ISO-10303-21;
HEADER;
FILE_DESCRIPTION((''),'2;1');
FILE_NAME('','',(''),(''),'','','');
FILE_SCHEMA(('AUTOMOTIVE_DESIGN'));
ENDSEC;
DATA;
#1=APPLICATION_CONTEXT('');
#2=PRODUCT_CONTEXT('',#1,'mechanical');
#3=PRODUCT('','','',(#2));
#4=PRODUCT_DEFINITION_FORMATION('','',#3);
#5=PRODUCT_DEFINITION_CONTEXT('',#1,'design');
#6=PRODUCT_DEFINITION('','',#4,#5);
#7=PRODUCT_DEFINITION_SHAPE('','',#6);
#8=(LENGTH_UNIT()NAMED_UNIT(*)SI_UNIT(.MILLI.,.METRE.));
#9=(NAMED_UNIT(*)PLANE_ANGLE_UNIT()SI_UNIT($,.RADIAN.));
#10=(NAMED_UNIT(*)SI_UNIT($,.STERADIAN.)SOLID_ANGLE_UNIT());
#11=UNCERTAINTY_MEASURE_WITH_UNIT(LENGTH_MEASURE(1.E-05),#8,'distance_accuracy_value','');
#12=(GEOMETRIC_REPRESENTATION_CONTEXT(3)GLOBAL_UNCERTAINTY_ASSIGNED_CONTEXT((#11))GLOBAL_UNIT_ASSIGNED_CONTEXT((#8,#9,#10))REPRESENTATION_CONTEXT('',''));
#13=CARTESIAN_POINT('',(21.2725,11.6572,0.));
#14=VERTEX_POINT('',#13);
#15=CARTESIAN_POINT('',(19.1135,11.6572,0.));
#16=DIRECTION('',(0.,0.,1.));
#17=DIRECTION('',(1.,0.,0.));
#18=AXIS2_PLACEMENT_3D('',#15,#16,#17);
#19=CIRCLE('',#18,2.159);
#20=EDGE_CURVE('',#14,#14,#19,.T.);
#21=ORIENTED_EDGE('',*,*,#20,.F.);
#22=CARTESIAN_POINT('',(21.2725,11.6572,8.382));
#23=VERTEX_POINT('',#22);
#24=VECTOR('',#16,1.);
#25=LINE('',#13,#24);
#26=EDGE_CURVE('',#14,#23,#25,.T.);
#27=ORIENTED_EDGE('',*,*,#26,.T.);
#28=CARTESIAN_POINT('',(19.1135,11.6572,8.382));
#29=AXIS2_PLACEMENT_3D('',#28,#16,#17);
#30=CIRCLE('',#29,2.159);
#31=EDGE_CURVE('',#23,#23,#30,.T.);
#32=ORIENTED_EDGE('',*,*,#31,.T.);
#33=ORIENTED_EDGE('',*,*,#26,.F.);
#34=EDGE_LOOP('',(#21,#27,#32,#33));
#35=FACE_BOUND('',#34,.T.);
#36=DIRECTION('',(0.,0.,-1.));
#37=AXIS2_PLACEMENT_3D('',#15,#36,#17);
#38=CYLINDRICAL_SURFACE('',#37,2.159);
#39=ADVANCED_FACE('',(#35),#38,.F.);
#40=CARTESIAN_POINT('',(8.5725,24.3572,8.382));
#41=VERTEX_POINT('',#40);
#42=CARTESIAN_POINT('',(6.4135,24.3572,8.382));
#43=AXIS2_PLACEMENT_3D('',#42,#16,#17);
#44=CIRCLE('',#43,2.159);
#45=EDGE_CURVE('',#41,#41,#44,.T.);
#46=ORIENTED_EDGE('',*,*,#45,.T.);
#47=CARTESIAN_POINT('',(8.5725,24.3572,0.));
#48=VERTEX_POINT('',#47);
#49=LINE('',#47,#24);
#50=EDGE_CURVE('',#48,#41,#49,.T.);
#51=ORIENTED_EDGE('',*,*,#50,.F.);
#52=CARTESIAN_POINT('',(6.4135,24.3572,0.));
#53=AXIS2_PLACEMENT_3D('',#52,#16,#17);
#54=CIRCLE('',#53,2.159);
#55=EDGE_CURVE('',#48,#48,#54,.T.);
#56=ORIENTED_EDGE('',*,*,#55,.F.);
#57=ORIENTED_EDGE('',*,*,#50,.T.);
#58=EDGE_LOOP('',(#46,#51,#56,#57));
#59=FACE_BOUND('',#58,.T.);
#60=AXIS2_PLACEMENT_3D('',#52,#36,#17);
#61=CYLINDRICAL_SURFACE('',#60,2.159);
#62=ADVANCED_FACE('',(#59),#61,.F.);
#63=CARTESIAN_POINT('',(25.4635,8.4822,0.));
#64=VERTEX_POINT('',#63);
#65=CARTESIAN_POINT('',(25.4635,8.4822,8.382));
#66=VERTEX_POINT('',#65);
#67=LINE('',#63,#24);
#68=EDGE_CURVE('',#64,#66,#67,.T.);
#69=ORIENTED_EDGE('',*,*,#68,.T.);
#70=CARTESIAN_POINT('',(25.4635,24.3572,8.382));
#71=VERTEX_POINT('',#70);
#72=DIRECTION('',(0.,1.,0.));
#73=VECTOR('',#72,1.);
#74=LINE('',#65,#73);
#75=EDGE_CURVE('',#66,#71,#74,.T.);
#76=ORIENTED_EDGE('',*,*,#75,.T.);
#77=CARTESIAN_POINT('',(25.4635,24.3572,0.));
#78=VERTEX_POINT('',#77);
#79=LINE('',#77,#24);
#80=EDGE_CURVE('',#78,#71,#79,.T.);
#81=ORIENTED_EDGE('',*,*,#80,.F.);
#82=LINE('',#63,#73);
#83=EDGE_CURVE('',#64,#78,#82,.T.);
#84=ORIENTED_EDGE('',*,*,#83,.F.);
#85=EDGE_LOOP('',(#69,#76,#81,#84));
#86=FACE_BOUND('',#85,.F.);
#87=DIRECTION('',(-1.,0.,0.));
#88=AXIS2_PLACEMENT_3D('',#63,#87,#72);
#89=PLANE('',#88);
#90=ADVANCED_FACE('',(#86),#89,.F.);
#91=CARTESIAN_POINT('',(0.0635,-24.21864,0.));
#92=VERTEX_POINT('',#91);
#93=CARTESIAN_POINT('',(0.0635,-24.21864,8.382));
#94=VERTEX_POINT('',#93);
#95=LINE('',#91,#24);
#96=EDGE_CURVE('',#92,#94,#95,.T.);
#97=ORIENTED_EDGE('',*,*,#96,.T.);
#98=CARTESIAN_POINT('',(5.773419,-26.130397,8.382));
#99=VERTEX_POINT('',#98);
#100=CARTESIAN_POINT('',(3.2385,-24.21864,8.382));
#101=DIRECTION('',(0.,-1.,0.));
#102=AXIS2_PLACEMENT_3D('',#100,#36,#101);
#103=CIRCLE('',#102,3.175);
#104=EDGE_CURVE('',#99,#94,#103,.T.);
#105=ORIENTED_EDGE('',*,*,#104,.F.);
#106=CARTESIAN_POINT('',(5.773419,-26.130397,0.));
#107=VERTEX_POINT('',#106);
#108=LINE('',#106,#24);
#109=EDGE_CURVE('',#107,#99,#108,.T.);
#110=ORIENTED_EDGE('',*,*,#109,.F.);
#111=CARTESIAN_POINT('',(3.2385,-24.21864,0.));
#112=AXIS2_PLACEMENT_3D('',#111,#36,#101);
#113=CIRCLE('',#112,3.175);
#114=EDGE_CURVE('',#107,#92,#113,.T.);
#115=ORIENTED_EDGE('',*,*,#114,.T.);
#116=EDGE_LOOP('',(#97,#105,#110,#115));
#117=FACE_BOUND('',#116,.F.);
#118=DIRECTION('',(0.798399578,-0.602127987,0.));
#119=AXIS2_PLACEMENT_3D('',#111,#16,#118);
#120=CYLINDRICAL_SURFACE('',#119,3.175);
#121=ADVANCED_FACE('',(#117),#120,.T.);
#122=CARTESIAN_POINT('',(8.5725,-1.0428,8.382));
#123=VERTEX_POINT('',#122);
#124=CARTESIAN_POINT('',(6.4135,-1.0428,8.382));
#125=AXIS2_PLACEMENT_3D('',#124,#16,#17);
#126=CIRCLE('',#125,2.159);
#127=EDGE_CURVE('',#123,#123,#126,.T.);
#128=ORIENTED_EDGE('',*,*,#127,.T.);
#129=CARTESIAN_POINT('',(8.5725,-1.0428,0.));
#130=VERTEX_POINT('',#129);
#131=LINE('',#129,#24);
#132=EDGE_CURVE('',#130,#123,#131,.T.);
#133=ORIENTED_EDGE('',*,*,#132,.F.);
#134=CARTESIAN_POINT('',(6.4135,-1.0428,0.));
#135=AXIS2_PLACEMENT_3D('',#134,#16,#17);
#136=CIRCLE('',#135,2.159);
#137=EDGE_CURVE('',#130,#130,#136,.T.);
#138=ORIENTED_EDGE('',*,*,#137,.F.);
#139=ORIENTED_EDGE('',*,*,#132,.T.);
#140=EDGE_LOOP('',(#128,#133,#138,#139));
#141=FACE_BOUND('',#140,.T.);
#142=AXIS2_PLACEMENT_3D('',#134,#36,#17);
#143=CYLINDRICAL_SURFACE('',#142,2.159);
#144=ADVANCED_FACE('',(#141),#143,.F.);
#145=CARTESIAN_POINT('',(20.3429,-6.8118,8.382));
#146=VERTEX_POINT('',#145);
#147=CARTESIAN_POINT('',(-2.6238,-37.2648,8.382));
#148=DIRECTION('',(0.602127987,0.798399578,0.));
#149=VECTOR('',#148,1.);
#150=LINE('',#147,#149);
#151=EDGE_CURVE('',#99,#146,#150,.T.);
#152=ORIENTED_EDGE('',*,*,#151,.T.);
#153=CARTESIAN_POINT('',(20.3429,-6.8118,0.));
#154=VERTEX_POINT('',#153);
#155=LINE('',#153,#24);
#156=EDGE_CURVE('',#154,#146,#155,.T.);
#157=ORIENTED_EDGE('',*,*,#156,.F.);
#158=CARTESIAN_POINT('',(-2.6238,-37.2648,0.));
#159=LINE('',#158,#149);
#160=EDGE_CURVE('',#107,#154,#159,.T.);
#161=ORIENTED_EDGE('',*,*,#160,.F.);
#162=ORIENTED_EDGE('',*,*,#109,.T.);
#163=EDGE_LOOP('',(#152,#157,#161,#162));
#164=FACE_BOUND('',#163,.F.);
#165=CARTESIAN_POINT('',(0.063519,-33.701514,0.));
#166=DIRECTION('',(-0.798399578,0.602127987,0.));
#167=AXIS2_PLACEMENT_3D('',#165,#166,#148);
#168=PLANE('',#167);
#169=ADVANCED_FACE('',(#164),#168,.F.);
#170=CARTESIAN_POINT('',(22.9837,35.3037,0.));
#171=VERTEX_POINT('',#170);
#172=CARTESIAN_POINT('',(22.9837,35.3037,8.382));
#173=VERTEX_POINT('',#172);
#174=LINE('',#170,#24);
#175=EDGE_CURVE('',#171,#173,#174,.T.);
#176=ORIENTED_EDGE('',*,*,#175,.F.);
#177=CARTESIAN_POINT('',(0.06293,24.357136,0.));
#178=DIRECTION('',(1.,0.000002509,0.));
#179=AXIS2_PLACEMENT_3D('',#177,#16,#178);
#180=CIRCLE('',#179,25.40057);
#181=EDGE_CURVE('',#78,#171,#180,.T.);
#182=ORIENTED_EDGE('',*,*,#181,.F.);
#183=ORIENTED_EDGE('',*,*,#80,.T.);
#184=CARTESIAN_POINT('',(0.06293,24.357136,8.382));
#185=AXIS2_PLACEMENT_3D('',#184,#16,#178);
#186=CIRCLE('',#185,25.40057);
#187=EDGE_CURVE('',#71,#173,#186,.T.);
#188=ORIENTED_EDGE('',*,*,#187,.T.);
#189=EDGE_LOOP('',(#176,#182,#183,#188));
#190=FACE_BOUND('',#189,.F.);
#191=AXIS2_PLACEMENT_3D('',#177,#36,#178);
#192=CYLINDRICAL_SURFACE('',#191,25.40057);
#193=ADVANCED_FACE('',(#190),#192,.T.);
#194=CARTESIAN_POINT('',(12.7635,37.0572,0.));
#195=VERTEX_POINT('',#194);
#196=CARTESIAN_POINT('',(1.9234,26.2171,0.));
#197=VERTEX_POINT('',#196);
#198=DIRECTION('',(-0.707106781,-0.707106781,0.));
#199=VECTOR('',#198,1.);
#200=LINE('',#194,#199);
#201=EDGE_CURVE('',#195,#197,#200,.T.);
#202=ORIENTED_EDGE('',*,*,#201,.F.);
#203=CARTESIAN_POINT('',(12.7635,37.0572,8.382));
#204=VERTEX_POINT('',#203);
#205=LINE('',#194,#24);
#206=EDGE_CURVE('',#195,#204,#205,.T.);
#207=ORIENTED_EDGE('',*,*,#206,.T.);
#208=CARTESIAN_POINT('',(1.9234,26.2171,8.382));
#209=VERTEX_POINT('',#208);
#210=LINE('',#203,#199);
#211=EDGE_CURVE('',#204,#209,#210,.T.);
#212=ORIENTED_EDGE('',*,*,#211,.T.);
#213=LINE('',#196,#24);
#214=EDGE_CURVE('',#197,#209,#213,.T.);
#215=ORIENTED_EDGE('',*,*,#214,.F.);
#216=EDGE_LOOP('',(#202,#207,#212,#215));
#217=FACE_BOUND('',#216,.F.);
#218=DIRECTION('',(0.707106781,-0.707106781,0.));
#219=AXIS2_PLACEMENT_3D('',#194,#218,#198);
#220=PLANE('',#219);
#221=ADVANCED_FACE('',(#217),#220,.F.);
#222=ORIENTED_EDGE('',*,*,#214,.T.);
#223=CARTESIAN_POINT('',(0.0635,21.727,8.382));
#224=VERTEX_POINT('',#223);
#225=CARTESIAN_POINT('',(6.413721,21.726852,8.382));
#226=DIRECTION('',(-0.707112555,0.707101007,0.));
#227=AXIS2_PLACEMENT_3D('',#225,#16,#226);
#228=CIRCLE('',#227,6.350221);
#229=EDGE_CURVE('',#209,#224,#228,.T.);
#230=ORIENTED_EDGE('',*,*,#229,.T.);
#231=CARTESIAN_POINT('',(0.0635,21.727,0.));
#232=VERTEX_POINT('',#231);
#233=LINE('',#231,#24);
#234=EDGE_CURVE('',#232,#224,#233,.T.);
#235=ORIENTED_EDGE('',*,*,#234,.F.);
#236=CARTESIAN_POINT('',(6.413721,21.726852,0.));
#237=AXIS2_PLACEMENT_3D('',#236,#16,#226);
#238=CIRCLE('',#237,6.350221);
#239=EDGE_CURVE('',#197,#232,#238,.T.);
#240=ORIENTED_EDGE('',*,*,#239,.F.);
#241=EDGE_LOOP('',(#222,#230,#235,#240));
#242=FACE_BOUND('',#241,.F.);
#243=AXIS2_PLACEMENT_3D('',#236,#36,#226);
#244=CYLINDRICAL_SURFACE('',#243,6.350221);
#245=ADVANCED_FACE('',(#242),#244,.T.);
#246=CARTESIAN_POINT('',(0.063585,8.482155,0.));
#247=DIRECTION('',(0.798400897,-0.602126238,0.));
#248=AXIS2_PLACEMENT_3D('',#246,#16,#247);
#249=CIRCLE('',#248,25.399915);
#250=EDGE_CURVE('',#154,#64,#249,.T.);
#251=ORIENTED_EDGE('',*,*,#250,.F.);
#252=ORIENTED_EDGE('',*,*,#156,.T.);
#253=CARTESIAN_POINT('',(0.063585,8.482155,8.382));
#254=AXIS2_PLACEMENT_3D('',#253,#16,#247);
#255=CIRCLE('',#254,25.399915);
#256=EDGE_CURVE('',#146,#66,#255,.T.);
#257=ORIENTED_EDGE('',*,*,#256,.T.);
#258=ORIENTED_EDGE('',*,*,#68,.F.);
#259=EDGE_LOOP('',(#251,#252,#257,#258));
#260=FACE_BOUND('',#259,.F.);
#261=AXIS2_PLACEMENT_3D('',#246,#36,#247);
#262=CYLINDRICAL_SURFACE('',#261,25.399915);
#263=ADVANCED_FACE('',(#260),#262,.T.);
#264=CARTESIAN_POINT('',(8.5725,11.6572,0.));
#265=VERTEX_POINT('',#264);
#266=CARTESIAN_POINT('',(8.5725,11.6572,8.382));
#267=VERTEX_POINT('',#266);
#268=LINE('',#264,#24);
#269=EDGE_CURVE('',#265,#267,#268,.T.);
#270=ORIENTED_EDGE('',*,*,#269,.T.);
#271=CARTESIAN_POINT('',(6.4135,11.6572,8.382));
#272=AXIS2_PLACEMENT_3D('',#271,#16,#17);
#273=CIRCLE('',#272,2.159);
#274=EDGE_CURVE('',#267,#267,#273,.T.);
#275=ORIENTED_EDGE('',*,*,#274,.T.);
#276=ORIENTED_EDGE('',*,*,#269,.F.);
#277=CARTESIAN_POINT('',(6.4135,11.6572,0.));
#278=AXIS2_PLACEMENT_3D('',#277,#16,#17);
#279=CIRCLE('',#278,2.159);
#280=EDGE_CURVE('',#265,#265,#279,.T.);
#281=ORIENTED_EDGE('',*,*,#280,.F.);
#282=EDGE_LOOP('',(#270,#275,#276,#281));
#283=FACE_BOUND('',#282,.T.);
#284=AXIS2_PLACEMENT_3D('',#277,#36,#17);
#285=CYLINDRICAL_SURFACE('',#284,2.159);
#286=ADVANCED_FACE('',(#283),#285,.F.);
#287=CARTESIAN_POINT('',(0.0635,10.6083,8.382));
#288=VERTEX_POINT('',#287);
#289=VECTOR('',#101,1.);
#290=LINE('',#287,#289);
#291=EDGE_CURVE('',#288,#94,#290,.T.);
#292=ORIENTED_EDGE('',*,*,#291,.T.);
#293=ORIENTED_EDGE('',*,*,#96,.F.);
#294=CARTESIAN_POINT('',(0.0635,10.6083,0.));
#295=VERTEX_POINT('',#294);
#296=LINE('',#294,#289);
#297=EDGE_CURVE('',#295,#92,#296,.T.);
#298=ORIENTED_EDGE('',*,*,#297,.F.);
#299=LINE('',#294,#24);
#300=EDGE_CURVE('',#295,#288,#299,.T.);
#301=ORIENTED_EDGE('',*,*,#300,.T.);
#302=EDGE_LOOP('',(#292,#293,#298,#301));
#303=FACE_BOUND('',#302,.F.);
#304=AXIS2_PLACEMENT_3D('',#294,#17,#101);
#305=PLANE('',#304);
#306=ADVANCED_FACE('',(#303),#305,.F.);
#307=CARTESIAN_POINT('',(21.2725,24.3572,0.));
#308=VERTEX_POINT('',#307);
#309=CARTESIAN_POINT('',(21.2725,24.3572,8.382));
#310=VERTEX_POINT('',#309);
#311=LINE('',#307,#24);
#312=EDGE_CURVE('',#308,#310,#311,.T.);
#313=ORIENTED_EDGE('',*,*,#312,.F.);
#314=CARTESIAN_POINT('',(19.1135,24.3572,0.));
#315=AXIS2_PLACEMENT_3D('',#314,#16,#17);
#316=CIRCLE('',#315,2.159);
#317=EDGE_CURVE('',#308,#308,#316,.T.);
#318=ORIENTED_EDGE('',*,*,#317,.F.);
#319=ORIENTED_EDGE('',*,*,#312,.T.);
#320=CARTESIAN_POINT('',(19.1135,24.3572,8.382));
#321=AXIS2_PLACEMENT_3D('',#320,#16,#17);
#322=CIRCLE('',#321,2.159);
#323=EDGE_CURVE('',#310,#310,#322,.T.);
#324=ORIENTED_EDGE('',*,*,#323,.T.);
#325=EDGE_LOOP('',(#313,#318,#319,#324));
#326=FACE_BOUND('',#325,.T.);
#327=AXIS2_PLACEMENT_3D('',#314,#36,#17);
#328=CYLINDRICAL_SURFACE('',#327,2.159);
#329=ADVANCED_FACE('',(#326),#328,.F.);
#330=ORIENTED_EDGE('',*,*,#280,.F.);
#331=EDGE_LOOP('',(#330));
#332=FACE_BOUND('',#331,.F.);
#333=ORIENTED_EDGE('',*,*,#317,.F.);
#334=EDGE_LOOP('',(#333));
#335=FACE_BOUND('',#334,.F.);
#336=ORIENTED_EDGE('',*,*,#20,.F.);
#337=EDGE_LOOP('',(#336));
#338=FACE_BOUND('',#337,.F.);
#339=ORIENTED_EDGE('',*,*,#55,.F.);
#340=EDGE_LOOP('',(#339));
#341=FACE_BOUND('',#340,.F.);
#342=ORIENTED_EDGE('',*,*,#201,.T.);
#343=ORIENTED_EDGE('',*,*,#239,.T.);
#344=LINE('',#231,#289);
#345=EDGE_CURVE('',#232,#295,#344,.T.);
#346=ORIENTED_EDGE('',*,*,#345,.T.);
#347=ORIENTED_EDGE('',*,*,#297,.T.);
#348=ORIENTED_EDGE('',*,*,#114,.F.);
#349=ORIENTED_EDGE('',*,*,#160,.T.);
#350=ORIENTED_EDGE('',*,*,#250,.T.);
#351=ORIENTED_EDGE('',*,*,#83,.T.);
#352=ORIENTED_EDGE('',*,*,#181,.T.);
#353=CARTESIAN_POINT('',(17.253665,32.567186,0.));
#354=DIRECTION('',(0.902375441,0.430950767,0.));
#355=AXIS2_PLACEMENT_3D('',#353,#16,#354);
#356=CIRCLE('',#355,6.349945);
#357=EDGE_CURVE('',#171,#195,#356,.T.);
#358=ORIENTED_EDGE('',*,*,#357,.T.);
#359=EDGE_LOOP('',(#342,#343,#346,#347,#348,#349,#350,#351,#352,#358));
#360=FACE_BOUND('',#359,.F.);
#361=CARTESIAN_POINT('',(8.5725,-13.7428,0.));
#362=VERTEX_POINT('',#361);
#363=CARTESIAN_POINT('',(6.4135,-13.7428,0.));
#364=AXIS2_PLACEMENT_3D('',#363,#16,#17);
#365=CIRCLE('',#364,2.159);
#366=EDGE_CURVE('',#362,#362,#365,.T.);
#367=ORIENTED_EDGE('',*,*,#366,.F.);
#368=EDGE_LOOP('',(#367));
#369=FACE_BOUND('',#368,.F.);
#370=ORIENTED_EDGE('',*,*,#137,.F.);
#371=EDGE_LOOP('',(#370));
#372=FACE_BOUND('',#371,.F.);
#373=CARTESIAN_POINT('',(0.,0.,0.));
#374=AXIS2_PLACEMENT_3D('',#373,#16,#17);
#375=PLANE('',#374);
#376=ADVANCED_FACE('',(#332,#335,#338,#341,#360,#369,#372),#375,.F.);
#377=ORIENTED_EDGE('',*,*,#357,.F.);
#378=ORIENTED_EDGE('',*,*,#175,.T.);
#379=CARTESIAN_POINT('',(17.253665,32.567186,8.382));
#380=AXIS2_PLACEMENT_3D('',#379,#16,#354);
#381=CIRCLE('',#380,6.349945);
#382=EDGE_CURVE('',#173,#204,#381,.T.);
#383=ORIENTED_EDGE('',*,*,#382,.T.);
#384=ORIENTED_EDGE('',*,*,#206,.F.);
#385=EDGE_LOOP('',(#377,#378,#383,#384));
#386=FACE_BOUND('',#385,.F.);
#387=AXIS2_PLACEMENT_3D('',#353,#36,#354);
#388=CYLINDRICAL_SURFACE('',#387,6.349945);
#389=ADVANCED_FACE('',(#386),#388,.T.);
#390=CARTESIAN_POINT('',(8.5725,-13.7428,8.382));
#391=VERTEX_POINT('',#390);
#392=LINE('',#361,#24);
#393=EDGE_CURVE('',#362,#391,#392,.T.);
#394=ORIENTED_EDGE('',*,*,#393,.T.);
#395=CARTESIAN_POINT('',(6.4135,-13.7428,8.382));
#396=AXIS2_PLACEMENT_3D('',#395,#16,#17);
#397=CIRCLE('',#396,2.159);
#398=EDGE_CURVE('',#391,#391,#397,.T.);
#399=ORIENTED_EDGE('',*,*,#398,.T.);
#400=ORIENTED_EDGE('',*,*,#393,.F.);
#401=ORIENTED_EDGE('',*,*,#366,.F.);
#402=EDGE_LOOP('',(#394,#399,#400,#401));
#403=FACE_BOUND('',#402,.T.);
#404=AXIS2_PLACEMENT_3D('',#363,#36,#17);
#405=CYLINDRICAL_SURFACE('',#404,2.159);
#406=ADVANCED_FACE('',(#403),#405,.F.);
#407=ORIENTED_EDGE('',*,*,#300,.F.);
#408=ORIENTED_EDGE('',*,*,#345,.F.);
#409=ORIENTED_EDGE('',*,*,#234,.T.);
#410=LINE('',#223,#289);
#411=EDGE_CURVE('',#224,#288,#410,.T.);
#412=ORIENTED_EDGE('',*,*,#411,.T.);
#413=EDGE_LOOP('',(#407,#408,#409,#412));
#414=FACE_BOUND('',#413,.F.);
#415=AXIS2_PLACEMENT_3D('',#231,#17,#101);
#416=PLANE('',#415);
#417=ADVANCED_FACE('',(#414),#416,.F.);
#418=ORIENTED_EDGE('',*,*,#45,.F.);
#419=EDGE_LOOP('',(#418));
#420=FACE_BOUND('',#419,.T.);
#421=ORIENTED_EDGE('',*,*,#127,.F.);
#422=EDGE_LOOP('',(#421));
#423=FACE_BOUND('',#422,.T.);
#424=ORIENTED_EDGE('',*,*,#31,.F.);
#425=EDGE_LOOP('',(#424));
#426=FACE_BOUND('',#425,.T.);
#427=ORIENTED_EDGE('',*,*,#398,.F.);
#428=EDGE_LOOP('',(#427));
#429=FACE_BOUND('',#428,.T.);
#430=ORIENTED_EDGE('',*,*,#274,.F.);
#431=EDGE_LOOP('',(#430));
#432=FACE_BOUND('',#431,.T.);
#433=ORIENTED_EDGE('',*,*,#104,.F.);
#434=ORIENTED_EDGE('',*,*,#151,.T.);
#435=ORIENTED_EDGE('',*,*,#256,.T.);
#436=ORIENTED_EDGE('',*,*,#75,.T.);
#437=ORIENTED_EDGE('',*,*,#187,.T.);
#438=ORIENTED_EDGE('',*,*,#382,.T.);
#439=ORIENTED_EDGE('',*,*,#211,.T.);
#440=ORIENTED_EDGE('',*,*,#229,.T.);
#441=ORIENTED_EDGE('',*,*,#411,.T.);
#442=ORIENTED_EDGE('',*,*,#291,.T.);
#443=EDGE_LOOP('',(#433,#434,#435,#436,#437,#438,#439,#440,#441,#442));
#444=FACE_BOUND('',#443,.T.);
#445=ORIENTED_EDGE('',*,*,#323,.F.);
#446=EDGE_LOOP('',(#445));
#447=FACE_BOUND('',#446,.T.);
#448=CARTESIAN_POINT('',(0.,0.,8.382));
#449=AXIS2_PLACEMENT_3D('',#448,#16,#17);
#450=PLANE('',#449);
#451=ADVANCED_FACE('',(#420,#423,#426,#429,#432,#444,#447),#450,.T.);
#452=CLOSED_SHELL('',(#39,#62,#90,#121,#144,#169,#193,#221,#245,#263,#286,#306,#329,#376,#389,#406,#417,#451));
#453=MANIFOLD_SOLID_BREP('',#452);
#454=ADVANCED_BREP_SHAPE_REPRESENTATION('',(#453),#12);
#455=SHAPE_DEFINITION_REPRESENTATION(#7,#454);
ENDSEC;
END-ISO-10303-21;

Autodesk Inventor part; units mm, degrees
ref_plane "YZ Plane" through (0, 0, 0) normal (1, 0, 0) x (0, 1, 0)
ref_plane "XZ Plane" through (0, 0, 0) normal (0, 1, 0) x (-1, 0, 0)
sketch "Sketch1" plane through (0, 0, 0) normal (0, 0, 1) x (1, 0, 0)
  arc A0 (1.9234, 26.2171) -> (0.0635, 21.727) centre (6.4135, 21.727) ccw projected
  line L0 (0.0635, 21.727) -> (0.0635, 10.6083) projected
  arc A1 (-1.2167, 6.7848) -> (0.0635, 10.6083) centre (-6.2865, 10.6083) ccw projected
  line L1 (-1.2167, 6.7848) -> (-22.9032, -21.9707) projected
  arc A2 (-22.9032, -21.9707) -> (-2.6238, -37.2648) centre (-12.7635, -29.6178) ccw projected
  line L2 (-2.6238, -37.2648) -> (20.3429, -6.8118) projected
  arc A3 (20.3429, -6.8118) -> (25.4635, 8.4822) centre (0.0635, 8.4822) ccw projected
  line L3 (25.4635, 8.4822) -> (25.4635, 24.3572) projected
  arc A4 (25.4635, 24.3572) -> (22.9837, 35.3037) centre (0.0635, 24.3572) ccw projected
  arc A5 (22.9837, 35.3037) -> (12.7635, 37.0572) centre (17.2536, 32.5671) ccw projected
  line L4 (12.7635, 37.0572) -> (1.9234, 26.2171) projected
  circle A6 centre (19.1135, 24.3572) radius 2.159 projected
  circle A7 centre (6.4135, 24.3572) radius 2.159 projected
  circle A8 centre (6.4135, -13.7428) radius 2.159 projected
  circle A9 centre (6.4135, -1.0428) radius 2.159 projected
  circle A10 centre (6.4135, 11.6572) radius 2.159 projected
  circle A11 centre (19.1135, 11.6572) radius 2.159 projected
  circle A12 centre (-12.7635, -29.6178) radius 2.159 projected
  line L5 (0.0635, 10.6083) -> (0.0635, -33.7015)
  point P0 (0, 0)
ref_plane "Work Plane1" through (-25.4635, -42.3178, 8.382) normal (0, 0, -1) x (0, 1, 0)
extrude "Extrusion1" add sketch "Sketch1" along normal up to surface (8.382 mm away) contours L4 A5 A4 L3 A3 L2 L5 L0 A0
fillet "Fillet1" radius 3.175 1 edges at (0.0635, -33.7015, 4.191)
properties part number "IntakeArmSpacingBlock" material "ABS Plastic"
